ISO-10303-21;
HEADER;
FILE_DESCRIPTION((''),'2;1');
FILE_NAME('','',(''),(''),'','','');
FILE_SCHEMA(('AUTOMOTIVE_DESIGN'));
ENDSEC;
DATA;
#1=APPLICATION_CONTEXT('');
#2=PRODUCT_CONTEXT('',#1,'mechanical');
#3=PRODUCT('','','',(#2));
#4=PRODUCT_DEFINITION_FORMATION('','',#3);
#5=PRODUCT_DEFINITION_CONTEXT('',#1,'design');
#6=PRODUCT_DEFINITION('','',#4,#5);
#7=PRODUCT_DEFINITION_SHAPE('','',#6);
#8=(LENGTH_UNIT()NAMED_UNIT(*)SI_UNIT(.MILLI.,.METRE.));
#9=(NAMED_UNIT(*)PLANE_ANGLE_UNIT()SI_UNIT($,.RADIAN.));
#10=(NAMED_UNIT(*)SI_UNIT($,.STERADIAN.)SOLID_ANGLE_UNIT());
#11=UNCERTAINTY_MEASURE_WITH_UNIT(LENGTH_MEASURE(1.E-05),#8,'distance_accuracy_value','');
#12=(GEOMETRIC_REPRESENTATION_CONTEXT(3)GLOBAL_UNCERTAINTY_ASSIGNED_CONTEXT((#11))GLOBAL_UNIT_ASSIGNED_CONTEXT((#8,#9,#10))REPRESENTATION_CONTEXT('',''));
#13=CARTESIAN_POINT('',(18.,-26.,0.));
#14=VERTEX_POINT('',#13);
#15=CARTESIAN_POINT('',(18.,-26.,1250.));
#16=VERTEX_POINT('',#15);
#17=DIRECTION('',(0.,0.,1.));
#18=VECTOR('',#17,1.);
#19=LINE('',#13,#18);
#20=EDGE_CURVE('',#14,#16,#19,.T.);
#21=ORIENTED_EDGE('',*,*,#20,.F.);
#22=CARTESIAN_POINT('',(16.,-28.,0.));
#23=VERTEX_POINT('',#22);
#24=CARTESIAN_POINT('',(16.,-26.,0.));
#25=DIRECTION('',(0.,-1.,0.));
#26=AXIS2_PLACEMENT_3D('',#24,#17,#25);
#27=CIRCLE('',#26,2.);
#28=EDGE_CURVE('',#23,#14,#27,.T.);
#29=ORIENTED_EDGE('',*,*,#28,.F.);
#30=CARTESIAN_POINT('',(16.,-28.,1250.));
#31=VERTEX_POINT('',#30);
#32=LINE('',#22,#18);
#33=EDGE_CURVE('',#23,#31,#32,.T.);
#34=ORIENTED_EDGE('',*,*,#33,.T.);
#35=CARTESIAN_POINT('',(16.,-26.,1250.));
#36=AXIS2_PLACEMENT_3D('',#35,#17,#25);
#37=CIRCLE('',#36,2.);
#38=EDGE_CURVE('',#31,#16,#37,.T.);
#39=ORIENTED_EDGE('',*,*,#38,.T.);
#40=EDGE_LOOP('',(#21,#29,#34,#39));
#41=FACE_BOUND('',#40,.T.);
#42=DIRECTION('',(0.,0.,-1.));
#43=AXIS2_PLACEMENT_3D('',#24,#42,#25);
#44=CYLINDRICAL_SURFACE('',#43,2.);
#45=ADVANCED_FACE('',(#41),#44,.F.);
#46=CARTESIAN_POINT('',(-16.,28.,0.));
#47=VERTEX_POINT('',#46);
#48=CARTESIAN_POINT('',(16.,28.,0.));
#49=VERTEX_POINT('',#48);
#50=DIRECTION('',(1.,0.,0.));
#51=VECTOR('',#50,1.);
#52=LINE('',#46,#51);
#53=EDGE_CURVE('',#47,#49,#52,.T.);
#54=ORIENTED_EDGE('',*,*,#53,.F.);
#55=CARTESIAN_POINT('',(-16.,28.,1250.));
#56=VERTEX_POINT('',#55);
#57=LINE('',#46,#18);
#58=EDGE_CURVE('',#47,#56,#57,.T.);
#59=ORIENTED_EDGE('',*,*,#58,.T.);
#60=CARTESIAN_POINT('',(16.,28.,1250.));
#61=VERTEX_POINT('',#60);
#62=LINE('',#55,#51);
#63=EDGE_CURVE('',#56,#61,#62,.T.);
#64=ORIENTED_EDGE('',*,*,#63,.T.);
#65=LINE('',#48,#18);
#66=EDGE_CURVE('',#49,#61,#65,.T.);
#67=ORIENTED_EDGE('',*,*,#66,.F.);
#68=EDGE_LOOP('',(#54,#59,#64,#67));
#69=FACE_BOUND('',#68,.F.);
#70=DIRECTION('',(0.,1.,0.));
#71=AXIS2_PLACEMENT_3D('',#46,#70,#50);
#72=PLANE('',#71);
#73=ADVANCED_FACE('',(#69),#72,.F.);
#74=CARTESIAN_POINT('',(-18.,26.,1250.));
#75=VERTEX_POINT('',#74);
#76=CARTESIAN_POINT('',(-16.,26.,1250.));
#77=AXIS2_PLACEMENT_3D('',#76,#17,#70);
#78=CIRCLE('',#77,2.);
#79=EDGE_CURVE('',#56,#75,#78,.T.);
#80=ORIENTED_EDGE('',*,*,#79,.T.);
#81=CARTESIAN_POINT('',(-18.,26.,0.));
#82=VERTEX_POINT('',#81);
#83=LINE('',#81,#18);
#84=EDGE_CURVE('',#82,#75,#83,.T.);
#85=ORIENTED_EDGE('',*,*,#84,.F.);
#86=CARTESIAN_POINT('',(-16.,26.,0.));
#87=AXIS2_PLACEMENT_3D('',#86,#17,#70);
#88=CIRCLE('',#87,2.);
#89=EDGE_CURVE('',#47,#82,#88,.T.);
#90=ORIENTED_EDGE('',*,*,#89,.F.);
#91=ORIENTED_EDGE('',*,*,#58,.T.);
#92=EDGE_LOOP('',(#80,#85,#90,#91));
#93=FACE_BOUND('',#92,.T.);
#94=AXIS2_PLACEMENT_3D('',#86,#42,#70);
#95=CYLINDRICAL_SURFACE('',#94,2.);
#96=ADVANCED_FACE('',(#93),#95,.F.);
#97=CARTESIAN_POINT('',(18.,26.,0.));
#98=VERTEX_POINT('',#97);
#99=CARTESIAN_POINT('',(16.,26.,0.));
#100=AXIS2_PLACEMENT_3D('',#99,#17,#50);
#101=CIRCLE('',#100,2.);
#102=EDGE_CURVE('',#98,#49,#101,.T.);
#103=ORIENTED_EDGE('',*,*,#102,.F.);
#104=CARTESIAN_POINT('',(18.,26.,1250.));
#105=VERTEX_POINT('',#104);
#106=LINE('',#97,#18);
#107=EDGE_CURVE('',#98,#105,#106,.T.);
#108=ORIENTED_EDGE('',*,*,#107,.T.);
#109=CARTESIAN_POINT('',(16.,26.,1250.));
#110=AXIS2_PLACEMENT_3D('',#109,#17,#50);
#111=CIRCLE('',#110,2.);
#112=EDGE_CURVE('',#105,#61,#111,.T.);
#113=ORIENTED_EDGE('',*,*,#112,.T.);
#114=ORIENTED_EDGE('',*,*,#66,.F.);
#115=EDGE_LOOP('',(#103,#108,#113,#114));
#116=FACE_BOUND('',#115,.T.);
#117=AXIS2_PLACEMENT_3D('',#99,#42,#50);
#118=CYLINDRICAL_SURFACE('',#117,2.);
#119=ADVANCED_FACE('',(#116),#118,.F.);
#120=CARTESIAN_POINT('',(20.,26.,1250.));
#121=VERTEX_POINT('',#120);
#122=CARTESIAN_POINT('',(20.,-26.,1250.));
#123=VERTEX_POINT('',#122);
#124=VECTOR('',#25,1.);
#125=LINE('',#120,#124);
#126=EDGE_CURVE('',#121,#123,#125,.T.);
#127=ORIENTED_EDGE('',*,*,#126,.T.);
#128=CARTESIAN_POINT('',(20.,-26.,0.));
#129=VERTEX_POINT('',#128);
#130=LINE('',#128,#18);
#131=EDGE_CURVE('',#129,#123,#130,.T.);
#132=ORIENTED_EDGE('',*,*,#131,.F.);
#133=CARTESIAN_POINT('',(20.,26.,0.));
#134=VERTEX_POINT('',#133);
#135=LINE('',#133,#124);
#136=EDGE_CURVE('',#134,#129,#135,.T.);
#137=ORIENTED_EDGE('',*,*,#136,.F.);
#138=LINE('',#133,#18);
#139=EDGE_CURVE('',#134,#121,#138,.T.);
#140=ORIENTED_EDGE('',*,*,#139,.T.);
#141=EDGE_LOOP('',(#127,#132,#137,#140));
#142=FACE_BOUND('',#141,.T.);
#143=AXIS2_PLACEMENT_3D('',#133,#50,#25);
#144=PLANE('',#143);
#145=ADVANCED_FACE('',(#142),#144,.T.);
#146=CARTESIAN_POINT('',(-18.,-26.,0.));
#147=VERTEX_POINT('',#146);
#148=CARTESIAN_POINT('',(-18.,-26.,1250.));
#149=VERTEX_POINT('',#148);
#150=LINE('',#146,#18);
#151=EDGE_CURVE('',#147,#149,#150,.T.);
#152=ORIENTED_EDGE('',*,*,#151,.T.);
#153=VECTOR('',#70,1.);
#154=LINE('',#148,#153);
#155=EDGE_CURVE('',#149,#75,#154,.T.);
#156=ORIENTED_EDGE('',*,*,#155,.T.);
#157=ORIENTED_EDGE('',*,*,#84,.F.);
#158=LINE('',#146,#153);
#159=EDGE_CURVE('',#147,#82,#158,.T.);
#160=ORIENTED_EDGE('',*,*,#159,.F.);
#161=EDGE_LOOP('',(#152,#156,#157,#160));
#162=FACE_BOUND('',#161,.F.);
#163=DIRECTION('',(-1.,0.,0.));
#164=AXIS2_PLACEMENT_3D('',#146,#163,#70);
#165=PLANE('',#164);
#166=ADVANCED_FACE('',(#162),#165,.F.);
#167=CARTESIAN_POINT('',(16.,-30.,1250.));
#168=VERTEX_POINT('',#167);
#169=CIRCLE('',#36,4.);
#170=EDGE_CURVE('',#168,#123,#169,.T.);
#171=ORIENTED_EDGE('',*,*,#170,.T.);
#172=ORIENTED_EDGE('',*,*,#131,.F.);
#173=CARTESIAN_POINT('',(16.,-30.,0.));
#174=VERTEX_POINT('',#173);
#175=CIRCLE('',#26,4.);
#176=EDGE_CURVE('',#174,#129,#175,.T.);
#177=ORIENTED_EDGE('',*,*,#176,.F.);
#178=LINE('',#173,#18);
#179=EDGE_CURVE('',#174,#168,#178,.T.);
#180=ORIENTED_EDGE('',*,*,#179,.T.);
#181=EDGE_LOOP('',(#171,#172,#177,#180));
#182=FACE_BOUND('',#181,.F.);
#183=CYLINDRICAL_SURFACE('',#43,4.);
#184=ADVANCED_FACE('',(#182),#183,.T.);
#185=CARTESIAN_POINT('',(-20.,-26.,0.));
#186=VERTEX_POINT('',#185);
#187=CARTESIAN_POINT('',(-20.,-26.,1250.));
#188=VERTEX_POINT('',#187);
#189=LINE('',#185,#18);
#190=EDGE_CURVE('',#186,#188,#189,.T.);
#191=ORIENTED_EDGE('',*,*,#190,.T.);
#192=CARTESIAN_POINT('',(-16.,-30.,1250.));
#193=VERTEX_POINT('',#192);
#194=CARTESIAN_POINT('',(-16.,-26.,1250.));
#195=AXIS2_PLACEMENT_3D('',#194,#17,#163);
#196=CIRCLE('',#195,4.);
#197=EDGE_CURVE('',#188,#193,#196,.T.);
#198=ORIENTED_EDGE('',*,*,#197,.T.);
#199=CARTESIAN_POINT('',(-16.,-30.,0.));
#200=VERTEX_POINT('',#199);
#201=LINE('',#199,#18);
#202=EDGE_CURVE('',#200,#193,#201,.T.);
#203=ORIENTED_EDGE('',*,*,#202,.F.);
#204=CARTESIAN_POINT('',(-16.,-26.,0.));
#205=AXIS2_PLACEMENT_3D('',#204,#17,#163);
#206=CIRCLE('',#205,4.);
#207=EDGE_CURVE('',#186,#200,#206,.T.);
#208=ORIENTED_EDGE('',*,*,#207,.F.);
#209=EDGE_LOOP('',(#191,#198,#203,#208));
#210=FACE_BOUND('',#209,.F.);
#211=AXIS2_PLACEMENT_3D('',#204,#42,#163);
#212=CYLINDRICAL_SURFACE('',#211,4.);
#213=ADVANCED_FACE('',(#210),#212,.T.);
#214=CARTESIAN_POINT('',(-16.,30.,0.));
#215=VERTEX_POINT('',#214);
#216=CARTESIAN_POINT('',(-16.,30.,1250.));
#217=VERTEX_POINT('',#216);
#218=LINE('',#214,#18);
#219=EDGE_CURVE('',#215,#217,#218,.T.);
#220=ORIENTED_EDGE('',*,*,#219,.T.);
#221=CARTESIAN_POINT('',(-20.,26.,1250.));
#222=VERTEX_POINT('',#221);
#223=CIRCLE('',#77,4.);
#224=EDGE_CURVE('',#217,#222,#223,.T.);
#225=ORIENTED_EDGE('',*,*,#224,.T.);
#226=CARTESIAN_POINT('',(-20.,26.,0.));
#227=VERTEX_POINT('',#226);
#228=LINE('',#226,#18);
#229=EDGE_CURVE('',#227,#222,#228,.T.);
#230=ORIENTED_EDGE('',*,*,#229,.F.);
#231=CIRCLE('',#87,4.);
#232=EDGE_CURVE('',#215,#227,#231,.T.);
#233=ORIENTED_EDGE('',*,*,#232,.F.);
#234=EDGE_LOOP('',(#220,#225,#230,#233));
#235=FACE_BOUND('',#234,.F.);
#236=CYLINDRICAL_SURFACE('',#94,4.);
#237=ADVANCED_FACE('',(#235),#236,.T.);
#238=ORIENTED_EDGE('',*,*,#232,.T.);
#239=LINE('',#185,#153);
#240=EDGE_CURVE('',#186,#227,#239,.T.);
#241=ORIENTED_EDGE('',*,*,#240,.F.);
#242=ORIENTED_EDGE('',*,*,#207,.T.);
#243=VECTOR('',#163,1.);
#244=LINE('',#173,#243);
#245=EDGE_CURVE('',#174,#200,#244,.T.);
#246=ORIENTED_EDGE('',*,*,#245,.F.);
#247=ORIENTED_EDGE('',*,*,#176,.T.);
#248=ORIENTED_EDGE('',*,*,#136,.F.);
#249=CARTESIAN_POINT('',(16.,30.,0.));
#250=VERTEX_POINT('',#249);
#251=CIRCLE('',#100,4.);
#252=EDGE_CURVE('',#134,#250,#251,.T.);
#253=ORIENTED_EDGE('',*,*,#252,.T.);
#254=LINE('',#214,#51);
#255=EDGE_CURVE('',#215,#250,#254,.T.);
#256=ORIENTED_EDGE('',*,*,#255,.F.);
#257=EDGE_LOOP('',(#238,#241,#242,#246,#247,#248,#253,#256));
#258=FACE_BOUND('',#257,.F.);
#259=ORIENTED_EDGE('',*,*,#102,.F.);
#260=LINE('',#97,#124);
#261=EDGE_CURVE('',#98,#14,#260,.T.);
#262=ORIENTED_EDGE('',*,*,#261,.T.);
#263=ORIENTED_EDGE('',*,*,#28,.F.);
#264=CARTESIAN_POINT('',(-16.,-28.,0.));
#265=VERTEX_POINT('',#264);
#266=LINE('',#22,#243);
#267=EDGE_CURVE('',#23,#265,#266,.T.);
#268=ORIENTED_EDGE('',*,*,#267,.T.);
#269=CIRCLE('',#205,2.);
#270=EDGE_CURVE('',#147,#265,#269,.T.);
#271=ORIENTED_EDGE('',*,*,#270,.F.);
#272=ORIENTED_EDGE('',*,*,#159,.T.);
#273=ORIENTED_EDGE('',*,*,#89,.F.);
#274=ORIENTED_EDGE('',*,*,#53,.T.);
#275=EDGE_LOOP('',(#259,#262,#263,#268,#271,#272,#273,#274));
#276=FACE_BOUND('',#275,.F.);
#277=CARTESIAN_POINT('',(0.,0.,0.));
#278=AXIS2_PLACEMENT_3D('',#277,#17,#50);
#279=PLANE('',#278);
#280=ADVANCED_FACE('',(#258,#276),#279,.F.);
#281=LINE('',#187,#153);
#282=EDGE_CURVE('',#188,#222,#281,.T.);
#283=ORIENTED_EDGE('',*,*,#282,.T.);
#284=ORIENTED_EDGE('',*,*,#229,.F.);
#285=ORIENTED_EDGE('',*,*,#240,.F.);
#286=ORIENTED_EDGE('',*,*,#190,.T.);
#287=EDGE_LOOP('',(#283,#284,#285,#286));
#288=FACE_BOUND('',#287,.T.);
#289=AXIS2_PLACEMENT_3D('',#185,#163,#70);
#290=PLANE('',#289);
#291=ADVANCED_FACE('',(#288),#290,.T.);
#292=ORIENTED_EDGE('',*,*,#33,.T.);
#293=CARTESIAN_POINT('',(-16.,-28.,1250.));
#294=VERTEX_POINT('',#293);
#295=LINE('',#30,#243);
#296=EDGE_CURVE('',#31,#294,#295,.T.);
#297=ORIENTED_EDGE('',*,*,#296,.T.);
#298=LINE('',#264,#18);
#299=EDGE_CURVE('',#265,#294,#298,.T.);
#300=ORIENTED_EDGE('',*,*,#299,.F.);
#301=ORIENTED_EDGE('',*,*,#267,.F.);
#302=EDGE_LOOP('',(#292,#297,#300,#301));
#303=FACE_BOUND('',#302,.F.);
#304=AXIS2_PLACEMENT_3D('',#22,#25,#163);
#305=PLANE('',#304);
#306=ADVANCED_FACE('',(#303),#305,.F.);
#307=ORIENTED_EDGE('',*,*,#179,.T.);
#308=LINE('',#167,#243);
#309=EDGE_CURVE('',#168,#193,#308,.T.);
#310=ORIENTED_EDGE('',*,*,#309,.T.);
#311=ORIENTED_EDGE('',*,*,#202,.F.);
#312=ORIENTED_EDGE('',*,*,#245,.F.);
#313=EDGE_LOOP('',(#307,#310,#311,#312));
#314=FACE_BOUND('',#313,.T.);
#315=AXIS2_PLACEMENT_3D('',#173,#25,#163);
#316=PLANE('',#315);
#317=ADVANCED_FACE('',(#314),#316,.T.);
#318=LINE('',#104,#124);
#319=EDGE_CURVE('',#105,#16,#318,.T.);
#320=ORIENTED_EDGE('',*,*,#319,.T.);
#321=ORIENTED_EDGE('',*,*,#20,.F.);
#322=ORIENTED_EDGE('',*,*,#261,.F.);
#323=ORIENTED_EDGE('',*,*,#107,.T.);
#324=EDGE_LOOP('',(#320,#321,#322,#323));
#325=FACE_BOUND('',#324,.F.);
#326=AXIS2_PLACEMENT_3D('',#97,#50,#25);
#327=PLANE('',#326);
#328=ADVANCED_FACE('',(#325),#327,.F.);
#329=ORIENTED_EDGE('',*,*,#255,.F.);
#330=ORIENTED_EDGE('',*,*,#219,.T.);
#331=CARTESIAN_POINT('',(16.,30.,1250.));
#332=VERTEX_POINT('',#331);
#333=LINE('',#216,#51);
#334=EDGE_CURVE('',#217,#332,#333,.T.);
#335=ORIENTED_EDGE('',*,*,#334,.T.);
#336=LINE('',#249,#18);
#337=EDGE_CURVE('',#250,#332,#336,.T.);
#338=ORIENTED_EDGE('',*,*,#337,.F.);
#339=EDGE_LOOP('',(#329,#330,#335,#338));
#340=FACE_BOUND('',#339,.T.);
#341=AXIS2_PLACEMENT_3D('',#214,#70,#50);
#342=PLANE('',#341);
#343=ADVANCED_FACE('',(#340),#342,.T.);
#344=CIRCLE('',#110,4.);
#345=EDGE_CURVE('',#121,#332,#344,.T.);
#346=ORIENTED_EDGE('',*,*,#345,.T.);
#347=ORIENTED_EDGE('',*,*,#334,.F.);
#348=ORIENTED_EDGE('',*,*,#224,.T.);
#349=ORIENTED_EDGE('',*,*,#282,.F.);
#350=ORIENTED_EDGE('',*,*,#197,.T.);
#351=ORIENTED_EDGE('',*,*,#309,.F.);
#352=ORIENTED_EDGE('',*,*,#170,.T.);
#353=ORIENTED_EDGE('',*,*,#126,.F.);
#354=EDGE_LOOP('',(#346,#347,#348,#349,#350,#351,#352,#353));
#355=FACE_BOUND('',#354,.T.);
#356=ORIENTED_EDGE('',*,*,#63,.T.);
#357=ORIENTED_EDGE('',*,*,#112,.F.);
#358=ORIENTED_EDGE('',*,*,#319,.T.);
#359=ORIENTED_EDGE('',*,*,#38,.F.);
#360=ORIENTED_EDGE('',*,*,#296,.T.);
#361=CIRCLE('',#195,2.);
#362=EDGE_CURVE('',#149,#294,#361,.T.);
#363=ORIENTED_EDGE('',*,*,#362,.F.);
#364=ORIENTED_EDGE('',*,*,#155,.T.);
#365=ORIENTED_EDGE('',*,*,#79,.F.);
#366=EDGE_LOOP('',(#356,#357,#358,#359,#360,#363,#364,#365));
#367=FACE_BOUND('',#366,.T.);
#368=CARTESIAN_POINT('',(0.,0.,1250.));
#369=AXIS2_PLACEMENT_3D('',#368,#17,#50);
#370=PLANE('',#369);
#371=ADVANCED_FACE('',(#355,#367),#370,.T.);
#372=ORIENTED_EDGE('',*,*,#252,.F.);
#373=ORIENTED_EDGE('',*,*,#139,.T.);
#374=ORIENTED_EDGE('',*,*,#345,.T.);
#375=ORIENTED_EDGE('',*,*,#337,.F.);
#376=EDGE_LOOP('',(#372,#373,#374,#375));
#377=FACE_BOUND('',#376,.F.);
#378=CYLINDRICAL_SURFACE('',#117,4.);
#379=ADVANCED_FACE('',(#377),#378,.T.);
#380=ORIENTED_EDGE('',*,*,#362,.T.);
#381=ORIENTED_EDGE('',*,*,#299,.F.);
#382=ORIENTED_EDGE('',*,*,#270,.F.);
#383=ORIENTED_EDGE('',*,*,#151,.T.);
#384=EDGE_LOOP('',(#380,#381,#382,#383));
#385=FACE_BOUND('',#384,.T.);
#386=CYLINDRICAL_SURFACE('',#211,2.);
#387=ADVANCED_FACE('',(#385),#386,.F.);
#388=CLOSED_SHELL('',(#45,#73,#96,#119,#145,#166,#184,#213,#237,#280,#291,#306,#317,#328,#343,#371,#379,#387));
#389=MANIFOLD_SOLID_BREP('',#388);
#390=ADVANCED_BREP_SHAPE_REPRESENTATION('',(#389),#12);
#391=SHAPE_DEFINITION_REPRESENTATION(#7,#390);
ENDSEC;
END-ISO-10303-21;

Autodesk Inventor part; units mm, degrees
ref_plane "YZ Plane" through (0, 0, 0) normal (1, 0, 0) x (0, 1, 0)
ref_plane "Start Plane" through (0, 0, 0) normal (0, 0, 1) x (1, 0, 0)
ref_plane "End Plane" through (0, 0, 1250) normal (0, 0, 1) x (1, 0, 0)
sketch "Sketch" plane through (0, 0, 0) normal (0, 0, 1) x (1, 0, 0)
  line L0 (-20, -26) -> (-20, 26)
  line L1 (-16, 30) -> (16, 30)
  line L2 (20, 26) -> (20, -26)
  line L3 (16, -30) -> (-16, -30)
  arc A0 (-20, -26) -> (-16, -30) centre (-16, -26) ccw
  arc A1 (20, 26) -> (16, 30) centre (16, 26) ccw
  arc A2 (-16, 30) -> (-20, 26) centre (-16, 26) ccw
  arc A3 (16, -30) -> (20, -26) centre (16, -26) ccw
  arc A4 (-16, 28) -> (-18, 26) centre (-16, 26) ccw
  line L4 (-16, 28) -> (16, 28)
  arc A5 (18, 26) -> (16, 28) centre (16, 26) ccw
  line L5 (18, 26) -> (18, -26)
  arc A6 (16, -28) -> (18, -26) centre (16, -26) ccw
  line L6 (16, -28) -> (-16, -28)
  arc A7 (-18, -26) -> (-16, -28) centre (-16, -26) ccw
  line L7 (-18, -26) -> (-18, 26)
  line L8 (0, 43.1598) -> (0, -43.1598) construction
  line L9 (-29.1598, 0) -> (29.1598, 0) construction
  dimension "d7" = 4
  dimension "d9" = 40
  dimension "d11" = 60
  dimension "d12" = 2
  dimension "d15" = 20
  dimension "d16" = 30
extrude "Body" add sketch "Sketch" along normal up to surface (1250 mm away) from surface at 0
sketch "Sketch3" plane through (0, 0, 0) normal (0, 0, 1) x (1, 0, 0)
  line L0 (0, 0) -> (10, 0)
ref_plane "Work Plane3" through (0, 0, 0) normal (0, -1, 0) x (1, 0, 0)
sketch "Sketch4" plane through (0, 0, 0) normal (0, -1, 0) x (1, 0, 0)
  line L0 (-2, 0) -> (12, 0) projected
  line L1 (-2, 1250) -> (12, 1250) projected
  dimension "d18" = 1250
equation "\"d7\" = G_IR"
equation "\"d9\" = G_W"
equation "\"d11\" = G_H"
equation "\"d12\" = G_T"
equation "\"d15\" = 0.5 * d9"
equation "\"d16\" = 0.5 * d11"
equation "\"d3\" = G_L"
equation "\"G_W\" = 40"
equation "\"G_H\" = 60"
equation "\"G_T\" = 2"
equation "\"G_IR\" = 4"
equation "\"G_L\" = d18"
equation "\"G_OFFSET_START\" = 0"
equation "\"G_OFFSET_END\" = 0"
properties part number "ISO 10799-2 - 60x40x2 - 1250" material "Steel, Mild"
